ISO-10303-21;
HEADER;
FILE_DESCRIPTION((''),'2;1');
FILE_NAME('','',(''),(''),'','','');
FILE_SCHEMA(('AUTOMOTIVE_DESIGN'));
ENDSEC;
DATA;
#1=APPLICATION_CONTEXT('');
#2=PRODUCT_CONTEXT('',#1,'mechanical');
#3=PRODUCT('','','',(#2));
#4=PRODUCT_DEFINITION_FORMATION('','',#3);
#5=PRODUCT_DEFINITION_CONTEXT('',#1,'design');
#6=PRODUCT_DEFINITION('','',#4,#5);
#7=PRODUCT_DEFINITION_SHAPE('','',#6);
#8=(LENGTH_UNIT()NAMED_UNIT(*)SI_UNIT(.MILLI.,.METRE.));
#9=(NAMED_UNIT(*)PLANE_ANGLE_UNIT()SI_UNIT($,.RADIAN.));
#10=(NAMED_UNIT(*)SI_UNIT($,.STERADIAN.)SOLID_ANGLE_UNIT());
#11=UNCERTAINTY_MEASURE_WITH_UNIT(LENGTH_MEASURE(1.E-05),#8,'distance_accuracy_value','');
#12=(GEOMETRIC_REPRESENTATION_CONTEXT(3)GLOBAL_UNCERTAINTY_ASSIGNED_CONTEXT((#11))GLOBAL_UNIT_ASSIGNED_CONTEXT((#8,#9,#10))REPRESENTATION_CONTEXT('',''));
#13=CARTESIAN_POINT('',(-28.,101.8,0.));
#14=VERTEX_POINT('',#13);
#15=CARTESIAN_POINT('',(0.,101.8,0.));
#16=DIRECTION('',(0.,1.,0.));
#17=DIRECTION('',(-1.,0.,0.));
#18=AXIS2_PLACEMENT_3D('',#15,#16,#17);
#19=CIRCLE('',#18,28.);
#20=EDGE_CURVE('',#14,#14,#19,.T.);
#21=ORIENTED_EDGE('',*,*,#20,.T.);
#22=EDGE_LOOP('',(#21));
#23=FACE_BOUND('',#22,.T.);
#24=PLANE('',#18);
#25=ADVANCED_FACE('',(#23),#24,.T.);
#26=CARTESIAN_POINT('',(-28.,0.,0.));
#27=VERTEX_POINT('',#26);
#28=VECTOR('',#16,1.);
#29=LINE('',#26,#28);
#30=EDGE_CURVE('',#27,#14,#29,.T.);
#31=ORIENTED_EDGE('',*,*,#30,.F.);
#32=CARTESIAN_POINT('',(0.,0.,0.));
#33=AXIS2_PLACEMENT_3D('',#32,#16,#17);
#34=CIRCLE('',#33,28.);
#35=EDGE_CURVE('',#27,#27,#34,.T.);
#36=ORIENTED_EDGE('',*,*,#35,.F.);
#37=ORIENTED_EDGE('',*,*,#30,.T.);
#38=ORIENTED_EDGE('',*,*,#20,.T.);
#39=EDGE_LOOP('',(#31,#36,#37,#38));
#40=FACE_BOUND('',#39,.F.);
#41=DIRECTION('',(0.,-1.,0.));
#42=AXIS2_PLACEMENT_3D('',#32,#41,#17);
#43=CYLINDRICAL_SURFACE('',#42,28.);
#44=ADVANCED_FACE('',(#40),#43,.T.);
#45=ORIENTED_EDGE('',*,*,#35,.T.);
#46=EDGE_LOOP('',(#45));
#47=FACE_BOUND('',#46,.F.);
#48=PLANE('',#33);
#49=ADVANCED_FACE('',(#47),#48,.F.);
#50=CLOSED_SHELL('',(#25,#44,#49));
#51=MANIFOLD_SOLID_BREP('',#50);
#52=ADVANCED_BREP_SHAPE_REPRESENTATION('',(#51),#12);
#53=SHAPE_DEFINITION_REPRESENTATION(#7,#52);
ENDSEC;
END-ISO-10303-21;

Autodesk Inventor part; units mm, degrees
ref_plane "YZ Plane" through (0, 0, 0) normal (1, 0, 0) x (0, 1, 0)
ref_plane "XZ Plane" through (0, 0, 0) normal (0, 1, 0) x (-1, 0, 0)
ref_plane "XY Plane" through (0, 0, 0) normal (0, 0, 1) x (1, 0, 0)
sketch "Sketch1" plane through (0, 0, 0) normal (0, 1, 0) x (-1, 0, 0)
  circle A0 centre (0, 0) radius 28
  dimension "d0" = 56
extrude "Extrusion1" add sketch "Sketch1" along normal blind 101.8
properties part number "VR Camera"
